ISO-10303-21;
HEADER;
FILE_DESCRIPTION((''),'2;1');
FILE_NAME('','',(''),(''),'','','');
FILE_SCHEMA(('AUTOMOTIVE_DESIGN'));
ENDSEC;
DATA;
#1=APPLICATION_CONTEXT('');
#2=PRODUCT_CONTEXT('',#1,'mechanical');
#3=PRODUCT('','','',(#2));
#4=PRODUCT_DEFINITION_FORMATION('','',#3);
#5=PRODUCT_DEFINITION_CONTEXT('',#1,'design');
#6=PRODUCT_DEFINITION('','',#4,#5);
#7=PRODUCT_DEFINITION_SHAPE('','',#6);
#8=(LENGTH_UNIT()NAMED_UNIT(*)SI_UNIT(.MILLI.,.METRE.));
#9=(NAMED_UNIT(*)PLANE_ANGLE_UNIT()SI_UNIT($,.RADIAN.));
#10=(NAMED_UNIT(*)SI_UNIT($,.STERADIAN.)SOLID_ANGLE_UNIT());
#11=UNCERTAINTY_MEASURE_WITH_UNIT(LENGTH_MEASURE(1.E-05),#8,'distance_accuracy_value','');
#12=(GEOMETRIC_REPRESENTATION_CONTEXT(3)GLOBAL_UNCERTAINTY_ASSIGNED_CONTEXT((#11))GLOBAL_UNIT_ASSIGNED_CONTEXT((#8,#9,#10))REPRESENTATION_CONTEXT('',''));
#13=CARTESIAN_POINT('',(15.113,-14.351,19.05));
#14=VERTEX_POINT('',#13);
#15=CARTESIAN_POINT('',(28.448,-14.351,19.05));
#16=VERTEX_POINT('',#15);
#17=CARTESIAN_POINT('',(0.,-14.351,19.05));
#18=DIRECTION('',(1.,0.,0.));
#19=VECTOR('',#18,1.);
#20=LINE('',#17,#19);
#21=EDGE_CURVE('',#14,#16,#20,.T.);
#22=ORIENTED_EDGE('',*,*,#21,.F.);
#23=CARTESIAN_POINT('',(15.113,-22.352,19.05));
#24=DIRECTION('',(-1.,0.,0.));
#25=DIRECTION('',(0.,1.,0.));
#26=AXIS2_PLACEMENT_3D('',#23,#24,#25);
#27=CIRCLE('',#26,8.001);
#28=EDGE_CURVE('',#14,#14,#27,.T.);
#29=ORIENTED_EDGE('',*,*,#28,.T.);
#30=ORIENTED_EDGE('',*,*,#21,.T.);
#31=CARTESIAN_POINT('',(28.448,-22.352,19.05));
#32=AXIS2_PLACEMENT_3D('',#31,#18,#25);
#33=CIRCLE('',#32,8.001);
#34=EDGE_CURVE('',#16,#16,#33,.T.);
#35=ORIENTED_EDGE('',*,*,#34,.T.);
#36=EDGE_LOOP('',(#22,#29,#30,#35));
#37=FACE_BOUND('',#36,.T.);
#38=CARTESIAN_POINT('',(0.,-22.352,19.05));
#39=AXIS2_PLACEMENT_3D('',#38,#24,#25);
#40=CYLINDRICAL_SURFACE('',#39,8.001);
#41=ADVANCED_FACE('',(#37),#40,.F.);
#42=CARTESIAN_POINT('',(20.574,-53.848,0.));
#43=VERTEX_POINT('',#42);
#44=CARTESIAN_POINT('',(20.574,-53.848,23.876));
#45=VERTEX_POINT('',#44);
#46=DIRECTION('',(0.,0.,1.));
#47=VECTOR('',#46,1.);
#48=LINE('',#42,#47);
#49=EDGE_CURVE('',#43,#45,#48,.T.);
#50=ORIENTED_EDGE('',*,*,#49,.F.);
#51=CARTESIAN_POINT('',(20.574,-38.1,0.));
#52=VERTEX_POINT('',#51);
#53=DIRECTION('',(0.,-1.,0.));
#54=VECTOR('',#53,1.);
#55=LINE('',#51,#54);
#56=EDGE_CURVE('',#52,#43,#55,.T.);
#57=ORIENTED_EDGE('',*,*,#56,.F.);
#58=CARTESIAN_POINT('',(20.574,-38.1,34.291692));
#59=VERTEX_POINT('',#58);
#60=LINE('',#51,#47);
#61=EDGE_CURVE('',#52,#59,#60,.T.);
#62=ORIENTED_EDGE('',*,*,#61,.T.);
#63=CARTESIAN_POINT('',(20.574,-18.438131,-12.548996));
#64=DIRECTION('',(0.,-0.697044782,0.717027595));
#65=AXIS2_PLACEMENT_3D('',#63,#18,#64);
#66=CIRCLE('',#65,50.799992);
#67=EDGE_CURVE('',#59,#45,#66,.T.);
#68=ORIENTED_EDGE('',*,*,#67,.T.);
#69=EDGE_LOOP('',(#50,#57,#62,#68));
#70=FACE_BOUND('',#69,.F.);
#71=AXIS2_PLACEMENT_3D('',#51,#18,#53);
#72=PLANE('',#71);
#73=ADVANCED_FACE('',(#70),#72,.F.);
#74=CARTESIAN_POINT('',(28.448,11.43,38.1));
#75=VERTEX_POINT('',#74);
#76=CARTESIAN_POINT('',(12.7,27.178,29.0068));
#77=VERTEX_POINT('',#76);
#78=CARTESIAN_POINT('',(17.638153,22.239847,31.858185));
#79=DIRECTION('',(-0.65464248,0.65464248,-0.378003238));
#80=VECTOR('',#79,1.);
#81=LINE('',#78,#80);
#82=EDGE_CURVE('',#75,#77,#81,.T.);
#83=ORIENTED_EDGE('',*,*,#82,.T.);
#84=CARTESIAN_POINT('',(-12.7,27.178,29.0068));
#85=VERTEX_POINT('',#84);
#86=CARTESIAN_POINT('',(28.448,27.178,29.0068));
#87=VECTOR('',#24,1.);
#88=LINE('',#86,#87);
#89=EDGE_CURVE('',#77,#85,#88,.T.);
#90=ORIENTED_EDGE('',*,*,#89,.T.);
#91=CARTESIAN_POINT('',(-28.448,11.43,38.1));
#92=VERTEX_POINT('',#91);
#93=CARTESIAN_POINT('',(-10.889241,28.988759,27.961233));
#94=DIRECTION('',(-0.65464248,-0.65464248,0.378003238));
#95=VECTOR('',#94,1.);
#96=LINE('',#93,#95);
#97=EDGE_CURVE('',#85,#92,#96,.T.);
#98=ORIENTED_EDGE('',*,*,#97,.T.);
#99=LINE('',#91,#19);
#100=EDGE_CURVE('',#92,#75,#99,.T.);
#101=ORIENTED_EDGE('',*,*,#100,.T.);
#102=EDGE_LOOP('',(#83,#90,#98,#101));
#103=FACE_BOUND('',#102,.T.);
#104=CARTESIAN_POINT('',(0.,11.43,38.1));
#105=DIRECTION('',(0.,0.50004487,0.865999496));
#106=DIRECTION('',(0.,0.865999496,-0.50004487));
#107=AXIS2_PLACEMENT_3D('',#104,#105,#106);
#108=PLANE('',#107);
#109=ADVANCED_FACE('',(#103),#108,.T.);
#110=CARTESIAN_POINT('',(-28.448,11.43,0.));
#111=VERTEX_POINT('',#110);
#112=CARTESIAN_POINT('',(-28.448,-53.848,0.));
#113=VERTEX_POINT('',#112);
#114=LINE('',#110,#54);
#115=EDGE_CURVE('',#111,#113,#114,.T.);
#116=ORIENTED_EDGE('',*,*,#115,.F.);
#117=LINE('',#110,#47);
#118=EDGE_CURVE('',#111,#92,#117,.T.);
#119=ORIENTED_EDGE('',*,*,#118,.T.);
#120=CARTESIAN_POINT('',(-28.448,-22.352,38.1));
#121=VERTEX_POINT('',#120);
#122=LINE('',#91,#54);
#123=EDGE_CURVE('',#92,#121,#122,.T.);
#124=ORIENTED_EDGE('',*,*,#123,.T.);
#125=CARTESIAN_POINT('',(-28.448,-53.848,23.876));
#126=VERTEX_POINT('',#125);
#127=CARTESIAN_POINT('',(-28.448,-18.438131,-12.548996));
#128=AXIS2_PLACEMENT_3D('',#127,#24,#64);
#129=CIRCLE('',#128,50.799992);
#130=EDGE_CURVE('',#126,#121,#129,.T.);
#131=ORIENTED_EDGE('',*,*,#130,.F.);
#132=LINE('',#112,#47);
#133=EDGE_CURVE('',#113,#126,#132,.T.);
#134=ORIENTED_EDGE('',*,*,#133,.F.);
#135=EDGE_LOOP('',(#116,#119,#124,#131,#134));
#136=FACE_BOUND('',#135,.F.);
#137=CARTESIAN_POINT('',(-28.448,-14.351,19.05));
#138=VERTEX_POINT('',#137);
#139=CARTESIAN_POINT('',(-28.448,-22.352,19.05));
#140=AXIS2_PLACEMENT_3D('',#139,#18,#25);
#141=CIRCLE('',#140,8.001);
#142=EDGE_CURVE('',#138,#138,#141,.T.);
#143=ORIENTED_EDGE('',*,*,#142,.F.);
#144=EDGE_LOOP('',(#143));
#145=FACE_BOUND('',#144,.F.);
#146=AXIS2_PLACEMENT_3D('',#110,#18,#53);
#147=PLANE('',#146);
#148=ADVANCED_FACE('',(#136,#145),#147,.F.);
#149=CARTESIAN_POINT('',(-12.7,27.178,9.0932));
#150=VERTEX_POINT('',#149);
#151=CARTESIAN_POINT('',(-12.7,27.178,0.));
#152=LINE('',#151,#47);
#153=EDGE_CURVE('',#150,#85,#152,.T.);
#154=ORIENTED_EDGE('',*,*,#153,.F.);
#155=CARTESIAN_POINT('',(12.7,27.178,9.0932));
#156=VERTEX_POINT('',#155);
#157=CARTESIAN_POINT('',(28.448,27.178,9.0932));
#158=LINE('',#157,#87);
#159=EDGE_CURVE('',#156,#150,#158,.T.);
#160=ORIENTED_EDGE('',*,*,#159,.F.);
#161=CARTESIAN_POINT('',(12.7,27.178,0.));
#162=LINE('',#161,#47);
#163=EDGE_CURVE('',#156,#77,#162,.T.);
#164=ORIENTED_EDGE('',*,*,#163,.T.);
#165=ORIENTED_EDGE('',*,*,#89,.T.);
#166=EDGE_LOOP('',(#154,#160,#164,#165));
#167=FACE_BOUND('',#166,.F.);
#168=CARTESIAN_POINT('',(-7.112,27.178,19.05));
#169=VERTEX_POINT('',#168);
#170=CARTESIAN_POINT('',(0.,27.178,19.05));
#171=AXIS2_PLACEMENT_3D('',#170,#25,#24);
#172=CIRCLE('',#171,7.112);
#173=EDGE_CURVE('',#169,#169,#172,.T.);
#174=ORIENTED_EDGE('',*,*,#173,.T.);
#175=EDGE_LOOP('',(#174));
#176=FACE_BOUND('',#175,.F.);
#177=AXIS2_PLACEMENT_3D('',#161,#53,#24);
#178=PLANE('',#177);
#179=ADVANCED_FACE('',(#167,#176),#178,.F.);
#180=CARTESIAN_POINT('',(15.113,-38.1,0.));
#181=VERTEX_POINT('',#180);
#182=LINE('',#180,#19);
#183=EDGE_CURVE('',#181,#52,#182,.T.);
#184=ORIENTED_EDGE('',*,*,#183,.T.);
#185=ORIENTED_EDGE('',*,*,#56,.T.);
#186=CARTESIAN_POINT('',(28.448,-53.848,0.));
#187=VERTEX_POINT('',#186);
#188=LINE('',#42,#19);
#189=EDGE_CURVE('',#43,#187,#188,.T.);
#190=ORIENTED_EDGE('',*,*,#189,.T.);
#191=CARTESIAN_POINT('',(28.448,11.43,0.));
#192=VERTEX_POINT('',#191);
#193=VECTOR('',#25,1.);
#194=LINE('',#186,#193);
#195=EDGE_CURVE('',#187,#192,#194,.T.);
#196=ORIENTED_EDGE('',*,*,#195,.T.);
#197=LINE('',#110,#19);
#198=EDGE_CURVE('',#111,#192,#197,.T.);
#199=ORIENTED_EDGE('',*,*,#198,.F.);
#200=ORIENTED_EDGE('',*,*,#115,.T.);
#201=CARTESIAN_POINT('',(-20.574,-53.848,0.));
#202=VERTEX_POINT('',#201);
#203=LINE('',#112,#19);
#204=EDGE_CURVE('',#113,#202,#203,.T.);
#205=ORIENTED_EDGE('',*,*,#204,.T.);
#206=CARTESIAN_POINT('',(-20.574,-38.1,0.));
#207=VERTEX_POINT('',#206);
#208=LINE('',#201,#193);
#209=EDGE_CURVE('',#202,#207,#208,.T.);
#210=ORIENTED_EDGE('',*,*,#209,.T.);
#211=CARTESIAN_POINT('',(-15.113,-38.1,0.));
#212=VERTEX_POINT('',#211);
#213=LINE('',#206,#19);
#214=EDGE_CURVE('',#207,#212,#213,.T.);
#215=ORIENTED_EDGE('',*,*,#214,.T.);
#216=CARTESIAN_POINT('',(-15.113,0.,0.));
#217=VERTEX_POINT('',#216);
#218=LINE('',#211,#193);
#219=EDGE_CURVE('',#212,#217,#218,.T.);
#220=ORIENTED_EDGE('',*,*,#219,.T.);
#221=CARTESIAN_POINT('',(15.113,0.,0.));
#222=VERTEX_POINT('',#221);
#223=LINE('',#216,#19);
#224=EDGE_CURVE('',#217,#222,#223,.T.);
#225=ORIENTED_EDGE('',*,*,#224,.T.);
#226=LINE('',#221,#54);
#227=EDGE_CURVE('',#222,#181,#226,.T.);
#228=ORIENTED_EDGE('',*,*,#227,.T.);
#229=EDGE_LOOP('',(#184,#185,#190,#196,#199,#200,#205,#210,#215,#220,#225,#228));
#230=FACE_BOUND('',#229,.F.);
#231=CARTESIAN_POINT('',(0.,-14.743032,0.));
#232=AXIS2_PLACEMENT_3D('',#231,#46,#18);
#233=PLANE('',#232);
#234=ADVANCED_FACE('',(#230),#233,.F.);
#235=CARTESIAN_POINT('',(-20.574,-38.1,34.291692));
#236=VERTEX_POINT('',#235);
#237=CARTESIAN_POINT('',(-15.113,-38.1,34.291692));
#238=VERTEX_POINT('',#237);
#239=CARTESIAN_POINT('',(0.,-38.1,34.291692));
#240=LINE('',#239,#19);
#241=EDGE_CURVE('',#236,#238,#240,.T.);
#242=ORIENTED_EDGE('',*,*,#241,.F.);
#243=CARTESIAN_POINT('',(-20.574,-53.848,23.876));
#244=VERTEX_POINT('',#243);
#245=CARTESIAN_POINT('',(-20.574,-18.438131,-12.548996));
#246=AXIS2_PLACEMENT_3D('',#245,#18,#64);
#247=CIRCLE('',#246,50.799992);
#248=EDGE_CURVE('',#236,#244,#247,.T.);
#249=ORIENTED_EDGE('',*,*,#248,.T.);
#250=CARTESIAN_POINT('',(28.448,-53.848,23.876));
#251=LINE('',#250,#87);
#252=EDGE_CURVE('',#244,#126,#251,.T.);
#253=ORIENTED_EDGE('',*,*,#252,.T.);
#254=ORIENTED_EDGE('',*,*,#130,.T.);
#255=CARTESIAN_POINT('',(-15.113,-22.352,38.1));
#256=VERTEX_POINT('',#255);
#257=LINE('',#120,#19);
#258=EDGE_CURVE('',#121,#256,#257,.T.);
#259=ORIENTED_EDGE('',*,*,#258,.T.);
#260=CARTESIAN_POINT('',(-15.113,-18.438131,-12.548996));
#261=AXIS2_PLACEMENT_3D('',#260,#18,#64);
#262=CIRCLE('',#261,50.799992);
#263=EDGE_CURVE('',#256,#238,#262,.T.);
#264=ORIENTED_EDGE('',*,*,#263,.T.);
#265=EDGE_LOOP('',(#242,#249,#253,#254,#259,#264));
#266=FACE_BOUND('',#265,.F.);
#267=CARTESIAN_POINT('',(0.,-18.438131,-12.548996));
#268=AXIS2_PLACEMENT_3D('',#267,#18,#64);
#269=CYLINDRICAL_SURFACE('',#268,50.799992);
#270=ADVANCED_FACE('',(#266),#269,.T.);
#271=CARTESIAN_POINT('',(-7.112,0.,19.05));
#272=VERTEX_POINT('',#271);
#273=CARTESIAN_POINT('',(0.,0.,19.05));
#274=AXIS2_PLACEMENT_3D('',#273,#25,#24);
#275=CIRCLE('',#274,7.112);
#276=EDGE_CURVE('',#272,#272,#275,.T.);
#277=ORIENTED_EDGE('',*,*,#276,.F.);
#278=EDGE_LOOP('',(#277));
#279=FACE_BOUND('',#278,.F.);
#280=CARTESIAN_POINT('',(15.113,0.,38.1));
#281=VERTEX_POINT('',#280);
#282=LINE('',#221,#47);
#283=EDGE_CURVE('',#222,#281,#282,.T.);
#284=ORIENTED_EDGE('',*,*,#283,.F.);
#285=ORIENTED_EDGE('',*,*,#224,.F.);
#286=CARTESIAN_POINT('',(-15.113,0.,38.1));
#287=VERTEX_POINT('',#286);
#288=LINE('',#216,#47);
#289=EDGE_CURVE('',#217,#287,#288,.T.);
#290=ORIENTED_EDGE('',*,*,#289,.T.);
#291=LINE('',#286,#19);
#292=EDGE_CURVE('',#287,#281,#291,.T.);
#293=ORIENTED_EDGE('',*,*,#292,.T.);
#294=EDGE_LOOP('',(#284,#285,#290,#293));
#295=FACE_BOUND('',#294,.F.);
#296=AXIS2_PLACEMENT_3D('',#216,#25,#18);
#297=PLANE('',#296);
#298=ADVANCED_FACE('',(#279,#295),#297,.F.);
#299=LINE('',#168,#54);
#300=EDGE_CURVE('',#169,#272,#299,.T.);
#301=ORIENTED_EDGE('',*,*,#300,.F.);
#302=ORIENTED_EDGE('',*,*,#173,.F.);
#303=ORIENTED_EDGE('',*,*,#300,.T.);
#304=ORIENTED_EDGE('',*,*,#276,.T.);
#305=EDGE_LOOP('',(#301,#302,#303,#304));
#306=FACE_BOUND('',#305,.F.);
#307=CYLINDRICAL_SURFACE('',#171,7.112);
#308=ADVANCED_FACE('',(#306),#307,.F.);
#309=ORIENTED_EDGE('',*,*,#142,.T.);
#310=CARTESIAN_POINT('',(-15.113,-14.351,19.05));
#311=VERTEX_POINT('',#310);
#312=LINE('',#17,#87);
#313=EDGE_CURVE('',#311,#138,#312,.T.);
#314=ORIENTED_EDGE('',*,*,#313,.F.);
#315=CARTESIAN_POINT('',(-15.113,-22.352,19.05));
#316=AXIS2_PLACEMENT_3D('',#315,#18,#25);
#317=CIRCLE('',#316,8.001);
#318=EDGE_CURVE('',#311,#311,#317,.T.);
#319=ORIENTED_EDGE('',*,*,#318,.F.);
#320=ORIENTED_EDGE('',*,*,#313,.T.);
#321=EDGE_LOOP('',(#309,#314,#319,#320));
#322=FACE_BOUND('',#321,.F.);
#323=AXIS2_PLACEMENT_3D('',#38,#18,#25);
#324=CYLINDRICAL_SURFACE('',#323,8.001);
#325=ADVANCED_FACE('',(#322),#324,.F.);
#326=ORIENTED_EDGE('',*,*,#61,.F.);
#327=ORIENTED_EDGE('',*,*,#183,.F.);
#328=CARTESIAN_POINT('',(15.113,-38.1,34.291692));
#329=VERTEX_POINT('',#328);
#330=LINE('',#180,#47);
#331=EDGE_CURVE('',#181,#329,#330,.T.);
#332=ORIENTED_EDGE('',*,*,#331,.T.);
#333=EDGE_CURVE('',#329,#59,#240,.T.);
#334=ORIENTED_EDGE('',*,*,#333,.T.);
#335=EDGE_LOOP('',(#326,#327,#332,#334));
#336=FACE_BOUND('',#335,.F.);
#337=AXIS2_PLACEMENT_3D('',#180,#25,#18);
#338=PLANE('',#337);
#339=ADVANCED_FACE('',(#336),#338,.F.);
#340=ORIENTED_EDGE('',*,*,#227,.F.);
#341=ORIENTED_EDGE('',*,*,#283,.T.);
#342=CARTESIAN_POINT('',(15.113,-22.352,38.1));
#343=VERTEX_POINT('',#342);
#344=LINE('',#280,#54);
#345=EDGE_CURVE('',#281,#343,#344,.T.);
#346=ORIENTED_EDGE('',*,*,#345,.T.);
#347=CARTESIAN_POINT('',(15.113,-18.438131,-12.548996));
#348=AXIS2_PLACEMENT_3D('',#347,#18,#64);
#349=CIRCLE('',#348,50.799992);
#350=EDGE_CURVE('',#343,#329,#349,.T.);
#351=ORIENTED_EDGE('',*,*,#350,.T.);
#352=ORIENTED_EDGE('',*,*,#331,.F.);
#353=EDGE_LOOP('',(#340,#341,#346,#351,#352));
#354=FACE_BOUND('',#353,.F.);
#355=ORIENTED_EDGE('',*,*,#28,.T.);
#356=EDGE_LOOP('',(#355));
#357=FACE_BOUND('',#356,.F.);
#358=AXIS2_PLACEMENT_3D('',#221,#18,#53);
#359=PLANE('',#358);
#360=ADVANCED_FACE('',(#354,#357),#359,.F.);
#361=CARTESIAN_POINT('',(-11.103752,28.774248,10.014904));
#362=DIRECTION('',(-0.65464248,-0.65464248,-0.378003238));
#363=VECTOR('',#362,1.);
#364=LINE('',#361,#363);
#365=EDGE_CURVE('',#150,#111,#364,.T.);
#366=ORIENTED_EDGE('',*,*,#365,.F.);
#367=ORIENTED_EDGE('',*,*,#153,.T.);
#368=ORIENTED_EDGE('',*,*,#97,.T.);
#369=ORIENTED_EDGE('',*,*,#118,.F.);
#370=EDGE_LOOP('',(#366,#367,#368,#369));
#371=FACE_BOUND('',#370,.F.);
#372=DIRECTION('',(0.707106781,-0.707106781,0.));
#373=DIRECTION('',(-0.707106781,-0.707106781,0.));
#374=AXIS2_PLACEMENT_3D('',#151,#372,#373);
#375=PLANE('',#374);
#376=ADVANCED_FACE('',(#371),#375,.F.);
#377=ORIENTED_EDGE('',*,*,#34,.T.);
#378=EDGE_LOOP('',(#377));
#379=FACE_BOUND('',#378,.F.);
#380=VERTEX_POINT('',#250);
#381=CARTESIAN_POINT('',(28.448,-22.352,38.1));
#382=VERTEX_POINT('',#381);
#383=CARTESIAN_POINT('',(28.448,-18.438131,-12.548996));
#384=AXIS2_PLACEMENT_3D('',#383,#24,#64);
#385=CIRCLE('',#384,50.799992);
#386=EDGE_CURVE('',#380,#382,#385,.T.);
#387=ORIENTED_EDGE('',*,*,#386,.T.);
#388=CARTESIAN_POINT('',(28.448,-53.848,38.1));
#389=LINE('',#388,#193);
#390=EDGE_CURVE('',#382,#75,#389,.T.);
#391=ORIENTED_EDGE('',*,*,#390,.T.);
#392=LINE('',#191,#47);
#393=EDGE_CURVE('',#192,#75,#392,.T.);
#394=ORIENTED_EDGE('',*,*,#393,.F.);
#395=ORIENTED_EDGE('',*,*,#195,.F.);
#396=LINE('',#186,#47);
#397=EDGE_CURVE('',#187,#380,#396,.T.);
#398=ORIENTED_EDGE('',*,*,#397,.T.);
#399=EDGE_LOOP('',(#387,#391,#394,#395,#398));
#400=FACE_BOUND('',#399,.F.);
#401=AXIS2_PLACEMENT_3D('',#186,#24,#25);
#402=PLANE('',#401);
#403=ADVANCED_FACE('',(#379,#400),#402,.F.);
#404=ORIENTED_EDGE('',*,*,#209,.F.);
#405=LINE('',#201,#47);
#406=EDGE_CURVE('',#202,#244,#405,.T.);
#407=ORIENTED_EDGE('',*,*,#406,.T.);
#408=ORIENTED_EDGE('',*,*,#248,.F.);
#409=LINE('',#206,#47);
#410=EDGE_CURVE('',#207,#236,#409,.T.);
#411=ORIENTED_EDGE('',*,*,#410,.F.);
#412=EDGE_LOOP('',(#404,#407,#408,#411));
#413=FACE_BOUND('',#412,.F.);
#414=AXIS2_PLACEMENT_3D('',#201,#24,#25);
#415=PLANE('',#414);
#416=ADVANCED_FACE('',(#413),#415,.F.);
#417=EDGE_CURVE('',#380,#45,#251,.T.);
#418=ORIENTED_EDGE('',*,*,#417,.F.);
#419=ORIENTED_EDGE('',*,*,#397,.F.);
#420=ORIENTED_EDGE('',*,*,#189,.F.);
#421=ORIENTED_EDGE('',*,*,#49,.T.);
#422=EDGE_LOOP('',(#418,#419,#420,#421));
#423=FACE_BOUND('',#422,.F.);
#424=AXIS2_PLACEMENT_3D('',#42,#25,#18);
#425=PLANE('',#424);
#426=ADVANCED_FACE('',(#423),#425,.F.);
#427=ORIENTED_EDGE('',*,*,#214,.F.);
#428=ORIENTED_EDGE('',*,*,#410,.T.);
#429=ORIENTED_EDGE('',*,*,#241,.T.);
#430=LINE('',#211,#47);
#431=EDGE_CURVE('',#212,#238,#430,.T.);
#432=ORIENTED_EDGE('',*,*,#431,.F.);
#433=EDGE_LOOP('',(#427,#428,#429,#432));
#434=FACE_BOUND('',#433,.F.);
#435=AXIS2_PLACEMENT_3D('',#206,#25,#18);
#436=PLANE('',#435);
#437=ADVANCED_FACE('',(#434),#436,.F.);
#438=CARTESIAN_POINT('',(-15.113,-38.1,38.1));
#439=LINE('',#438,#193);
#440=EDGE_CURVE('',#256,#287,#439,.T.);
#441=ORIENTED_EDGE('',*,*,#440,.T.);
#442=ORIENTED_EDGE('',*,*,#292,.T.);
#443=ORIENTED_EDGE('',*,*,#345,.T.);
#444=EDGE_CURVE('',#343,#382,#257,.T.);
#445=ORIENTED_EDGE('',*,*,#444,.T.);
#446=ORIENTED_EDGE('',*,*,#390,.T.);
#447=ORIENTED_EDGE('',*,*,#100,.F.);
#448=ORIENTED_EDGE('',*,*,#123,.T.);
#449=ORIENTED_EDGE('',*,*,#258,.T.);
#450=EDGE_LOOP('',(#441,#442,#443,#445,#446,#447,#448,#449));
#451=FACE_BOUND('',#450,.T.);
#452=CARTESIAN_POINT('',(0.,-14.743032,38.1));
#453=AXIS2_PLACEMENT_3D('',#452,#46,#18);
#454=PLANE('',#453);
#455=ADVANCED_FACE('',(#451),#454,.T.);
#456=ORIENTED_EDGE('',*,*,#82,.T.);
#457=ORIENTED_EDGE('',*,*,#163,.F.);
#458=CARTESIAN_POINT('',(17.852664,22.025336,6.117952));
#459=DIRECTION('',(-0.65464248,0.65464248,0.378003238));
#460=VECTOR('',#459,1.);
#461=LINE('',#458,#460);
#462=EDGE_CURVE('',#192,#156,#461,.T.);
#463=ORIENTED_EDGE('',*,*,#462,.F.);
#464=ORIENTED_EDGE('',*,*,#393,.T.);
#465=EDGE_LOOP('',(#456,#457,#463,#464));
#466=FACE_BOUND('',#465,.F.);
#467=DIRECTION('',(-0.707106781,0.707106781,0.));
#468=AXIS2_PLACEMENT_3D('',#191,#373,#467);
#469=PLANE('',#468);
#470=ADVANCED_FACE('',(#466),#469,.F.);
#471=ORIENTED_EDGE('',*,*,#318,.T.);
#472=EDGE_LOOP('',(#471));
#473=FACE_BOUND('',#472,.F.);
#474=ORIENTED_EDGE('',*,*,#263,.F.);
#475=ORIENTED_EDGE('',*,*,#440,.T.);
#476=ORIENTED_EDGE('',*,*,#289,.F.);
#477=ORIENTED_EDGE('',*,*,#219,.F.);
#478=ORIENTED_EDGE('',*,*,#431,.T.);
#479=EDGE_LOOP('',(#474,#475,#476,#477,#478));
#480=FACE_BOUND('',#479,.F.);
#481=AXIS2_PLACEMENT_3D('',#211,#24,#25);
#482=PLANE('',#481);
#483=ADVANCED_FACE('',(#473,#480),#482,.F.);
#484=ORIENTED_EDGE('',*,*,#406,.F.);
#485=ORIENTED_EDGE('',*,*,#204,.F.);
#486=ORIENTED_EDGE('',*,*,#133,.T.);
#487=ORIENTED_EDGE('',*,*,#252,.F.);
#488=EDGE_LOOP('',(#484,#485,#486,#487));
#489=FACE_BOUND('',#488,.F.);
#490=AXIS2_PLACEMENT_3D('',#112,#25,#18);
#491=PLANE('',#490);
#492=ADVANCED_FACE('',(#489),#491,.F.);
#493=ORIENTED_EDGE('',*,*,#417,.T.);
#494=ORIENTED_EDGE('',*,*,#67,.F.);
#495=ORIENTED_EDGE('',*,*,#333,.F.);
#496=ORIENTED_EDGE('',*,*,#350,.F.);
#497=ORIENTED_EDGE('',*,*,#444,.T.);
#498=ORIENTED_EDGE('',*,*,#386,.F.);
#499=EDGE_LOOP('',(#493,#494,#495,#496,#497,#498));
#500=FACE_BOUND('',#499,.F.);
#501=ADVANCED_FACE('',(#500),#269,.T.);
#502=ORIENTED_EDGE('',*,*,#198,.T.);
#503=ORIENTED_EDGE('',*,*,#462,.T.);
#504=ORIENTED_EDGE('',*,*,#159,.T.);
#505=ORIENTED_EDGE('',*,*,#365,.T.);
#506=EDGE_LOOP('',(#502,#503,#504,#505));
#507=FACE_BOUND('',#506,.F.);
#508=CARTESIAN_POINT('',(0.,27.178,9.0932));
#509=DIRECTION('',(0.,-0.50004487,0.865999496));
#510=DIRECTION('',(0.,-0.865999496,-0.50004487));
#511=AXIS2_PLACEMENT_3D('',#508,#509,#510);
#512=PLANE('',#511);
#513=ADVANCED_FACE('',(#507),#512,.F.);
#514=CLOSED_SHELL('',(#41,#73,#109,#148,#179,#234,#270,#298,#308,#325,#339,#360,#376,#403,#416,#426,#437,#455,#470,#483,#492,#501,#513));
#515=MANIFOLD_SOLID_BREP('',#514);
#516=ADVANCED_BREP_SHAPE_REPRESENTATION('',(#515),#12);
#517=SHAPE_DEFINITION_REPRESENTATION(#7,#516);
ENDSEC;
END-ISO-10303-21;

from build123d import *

# Parameters (mm, degrees)
F1_DEPTH = 38.1
F3_DEPTH = 28.448
F4_R     = 7.112
F5_DEPTH = 27.178
F6_R     = 8.001
F7_DEPTH = 28.448


with BuildPart() as f1:
    # F0 (on Top) → F1 (new body)
    with BuildSketch(Plane.XY):
        Polygon((-15.113, 0), (0, 0), (15.113, 0), (15.113, -38.1), (20.574, -38.1), (20.574, -53.848), (28.448, -53.848), (28.448, 11.43), (12.7, 27.178), (0, 27.178), (-12.7, 27.178), (-28.448, 11.43), (-28.448, -53.848), (-20.574, -53.848), (-20.574, -38.1), (-15.113, -38.1), align=None)
    extrude(amount=F1_DEPTH)

    # F2 (on Right) → F3 (cut, symmetric)
    with BuildSketch(Plane.YZ):
        Polygon((27.178, 38.1), (11.43, 38.1), (27.178, 29.0068), align=None)
        Polygon((27.178, 9.0932), (11.43, 0), (27.178, 0), align=None)
    extrude(amount=F3_DEPTH, both=True, mode=Mode.SUBTRACT)

    # F4 (on face) → F5 (cut)
    with BuildSketch(Plane(origin=(0, 27.178, 0), x_dir=(-1, 0, 0), z_dir=(0, 1, 0))):
        with Locations((0, 19.05)):
            Circle(F4_R)
    extrude(amount=-F5_DEPTH, mode=Mode.SUBTRACT)

    # F6 (on Right) → F7 (cut, symmetric)
    with BuildSketch(Plane.YZ):
        with Locations((-22.352, 19.05)):
            Circle(F6_R)
        with BuildLine():
            ThreePointArc((-53.848, 23.876), (-39.346733, 33.748623), (-22.352, 38.1))
            Line((-22.352, 38.1), (-53.848, 38.1))
            Line((-53.848, 38.1), (-53.848, 23.876))
        make_face()
    extrude(amount=F7_DEPTH, both=True, mode=Mode.SUBTRACT)


solid = f1.part
